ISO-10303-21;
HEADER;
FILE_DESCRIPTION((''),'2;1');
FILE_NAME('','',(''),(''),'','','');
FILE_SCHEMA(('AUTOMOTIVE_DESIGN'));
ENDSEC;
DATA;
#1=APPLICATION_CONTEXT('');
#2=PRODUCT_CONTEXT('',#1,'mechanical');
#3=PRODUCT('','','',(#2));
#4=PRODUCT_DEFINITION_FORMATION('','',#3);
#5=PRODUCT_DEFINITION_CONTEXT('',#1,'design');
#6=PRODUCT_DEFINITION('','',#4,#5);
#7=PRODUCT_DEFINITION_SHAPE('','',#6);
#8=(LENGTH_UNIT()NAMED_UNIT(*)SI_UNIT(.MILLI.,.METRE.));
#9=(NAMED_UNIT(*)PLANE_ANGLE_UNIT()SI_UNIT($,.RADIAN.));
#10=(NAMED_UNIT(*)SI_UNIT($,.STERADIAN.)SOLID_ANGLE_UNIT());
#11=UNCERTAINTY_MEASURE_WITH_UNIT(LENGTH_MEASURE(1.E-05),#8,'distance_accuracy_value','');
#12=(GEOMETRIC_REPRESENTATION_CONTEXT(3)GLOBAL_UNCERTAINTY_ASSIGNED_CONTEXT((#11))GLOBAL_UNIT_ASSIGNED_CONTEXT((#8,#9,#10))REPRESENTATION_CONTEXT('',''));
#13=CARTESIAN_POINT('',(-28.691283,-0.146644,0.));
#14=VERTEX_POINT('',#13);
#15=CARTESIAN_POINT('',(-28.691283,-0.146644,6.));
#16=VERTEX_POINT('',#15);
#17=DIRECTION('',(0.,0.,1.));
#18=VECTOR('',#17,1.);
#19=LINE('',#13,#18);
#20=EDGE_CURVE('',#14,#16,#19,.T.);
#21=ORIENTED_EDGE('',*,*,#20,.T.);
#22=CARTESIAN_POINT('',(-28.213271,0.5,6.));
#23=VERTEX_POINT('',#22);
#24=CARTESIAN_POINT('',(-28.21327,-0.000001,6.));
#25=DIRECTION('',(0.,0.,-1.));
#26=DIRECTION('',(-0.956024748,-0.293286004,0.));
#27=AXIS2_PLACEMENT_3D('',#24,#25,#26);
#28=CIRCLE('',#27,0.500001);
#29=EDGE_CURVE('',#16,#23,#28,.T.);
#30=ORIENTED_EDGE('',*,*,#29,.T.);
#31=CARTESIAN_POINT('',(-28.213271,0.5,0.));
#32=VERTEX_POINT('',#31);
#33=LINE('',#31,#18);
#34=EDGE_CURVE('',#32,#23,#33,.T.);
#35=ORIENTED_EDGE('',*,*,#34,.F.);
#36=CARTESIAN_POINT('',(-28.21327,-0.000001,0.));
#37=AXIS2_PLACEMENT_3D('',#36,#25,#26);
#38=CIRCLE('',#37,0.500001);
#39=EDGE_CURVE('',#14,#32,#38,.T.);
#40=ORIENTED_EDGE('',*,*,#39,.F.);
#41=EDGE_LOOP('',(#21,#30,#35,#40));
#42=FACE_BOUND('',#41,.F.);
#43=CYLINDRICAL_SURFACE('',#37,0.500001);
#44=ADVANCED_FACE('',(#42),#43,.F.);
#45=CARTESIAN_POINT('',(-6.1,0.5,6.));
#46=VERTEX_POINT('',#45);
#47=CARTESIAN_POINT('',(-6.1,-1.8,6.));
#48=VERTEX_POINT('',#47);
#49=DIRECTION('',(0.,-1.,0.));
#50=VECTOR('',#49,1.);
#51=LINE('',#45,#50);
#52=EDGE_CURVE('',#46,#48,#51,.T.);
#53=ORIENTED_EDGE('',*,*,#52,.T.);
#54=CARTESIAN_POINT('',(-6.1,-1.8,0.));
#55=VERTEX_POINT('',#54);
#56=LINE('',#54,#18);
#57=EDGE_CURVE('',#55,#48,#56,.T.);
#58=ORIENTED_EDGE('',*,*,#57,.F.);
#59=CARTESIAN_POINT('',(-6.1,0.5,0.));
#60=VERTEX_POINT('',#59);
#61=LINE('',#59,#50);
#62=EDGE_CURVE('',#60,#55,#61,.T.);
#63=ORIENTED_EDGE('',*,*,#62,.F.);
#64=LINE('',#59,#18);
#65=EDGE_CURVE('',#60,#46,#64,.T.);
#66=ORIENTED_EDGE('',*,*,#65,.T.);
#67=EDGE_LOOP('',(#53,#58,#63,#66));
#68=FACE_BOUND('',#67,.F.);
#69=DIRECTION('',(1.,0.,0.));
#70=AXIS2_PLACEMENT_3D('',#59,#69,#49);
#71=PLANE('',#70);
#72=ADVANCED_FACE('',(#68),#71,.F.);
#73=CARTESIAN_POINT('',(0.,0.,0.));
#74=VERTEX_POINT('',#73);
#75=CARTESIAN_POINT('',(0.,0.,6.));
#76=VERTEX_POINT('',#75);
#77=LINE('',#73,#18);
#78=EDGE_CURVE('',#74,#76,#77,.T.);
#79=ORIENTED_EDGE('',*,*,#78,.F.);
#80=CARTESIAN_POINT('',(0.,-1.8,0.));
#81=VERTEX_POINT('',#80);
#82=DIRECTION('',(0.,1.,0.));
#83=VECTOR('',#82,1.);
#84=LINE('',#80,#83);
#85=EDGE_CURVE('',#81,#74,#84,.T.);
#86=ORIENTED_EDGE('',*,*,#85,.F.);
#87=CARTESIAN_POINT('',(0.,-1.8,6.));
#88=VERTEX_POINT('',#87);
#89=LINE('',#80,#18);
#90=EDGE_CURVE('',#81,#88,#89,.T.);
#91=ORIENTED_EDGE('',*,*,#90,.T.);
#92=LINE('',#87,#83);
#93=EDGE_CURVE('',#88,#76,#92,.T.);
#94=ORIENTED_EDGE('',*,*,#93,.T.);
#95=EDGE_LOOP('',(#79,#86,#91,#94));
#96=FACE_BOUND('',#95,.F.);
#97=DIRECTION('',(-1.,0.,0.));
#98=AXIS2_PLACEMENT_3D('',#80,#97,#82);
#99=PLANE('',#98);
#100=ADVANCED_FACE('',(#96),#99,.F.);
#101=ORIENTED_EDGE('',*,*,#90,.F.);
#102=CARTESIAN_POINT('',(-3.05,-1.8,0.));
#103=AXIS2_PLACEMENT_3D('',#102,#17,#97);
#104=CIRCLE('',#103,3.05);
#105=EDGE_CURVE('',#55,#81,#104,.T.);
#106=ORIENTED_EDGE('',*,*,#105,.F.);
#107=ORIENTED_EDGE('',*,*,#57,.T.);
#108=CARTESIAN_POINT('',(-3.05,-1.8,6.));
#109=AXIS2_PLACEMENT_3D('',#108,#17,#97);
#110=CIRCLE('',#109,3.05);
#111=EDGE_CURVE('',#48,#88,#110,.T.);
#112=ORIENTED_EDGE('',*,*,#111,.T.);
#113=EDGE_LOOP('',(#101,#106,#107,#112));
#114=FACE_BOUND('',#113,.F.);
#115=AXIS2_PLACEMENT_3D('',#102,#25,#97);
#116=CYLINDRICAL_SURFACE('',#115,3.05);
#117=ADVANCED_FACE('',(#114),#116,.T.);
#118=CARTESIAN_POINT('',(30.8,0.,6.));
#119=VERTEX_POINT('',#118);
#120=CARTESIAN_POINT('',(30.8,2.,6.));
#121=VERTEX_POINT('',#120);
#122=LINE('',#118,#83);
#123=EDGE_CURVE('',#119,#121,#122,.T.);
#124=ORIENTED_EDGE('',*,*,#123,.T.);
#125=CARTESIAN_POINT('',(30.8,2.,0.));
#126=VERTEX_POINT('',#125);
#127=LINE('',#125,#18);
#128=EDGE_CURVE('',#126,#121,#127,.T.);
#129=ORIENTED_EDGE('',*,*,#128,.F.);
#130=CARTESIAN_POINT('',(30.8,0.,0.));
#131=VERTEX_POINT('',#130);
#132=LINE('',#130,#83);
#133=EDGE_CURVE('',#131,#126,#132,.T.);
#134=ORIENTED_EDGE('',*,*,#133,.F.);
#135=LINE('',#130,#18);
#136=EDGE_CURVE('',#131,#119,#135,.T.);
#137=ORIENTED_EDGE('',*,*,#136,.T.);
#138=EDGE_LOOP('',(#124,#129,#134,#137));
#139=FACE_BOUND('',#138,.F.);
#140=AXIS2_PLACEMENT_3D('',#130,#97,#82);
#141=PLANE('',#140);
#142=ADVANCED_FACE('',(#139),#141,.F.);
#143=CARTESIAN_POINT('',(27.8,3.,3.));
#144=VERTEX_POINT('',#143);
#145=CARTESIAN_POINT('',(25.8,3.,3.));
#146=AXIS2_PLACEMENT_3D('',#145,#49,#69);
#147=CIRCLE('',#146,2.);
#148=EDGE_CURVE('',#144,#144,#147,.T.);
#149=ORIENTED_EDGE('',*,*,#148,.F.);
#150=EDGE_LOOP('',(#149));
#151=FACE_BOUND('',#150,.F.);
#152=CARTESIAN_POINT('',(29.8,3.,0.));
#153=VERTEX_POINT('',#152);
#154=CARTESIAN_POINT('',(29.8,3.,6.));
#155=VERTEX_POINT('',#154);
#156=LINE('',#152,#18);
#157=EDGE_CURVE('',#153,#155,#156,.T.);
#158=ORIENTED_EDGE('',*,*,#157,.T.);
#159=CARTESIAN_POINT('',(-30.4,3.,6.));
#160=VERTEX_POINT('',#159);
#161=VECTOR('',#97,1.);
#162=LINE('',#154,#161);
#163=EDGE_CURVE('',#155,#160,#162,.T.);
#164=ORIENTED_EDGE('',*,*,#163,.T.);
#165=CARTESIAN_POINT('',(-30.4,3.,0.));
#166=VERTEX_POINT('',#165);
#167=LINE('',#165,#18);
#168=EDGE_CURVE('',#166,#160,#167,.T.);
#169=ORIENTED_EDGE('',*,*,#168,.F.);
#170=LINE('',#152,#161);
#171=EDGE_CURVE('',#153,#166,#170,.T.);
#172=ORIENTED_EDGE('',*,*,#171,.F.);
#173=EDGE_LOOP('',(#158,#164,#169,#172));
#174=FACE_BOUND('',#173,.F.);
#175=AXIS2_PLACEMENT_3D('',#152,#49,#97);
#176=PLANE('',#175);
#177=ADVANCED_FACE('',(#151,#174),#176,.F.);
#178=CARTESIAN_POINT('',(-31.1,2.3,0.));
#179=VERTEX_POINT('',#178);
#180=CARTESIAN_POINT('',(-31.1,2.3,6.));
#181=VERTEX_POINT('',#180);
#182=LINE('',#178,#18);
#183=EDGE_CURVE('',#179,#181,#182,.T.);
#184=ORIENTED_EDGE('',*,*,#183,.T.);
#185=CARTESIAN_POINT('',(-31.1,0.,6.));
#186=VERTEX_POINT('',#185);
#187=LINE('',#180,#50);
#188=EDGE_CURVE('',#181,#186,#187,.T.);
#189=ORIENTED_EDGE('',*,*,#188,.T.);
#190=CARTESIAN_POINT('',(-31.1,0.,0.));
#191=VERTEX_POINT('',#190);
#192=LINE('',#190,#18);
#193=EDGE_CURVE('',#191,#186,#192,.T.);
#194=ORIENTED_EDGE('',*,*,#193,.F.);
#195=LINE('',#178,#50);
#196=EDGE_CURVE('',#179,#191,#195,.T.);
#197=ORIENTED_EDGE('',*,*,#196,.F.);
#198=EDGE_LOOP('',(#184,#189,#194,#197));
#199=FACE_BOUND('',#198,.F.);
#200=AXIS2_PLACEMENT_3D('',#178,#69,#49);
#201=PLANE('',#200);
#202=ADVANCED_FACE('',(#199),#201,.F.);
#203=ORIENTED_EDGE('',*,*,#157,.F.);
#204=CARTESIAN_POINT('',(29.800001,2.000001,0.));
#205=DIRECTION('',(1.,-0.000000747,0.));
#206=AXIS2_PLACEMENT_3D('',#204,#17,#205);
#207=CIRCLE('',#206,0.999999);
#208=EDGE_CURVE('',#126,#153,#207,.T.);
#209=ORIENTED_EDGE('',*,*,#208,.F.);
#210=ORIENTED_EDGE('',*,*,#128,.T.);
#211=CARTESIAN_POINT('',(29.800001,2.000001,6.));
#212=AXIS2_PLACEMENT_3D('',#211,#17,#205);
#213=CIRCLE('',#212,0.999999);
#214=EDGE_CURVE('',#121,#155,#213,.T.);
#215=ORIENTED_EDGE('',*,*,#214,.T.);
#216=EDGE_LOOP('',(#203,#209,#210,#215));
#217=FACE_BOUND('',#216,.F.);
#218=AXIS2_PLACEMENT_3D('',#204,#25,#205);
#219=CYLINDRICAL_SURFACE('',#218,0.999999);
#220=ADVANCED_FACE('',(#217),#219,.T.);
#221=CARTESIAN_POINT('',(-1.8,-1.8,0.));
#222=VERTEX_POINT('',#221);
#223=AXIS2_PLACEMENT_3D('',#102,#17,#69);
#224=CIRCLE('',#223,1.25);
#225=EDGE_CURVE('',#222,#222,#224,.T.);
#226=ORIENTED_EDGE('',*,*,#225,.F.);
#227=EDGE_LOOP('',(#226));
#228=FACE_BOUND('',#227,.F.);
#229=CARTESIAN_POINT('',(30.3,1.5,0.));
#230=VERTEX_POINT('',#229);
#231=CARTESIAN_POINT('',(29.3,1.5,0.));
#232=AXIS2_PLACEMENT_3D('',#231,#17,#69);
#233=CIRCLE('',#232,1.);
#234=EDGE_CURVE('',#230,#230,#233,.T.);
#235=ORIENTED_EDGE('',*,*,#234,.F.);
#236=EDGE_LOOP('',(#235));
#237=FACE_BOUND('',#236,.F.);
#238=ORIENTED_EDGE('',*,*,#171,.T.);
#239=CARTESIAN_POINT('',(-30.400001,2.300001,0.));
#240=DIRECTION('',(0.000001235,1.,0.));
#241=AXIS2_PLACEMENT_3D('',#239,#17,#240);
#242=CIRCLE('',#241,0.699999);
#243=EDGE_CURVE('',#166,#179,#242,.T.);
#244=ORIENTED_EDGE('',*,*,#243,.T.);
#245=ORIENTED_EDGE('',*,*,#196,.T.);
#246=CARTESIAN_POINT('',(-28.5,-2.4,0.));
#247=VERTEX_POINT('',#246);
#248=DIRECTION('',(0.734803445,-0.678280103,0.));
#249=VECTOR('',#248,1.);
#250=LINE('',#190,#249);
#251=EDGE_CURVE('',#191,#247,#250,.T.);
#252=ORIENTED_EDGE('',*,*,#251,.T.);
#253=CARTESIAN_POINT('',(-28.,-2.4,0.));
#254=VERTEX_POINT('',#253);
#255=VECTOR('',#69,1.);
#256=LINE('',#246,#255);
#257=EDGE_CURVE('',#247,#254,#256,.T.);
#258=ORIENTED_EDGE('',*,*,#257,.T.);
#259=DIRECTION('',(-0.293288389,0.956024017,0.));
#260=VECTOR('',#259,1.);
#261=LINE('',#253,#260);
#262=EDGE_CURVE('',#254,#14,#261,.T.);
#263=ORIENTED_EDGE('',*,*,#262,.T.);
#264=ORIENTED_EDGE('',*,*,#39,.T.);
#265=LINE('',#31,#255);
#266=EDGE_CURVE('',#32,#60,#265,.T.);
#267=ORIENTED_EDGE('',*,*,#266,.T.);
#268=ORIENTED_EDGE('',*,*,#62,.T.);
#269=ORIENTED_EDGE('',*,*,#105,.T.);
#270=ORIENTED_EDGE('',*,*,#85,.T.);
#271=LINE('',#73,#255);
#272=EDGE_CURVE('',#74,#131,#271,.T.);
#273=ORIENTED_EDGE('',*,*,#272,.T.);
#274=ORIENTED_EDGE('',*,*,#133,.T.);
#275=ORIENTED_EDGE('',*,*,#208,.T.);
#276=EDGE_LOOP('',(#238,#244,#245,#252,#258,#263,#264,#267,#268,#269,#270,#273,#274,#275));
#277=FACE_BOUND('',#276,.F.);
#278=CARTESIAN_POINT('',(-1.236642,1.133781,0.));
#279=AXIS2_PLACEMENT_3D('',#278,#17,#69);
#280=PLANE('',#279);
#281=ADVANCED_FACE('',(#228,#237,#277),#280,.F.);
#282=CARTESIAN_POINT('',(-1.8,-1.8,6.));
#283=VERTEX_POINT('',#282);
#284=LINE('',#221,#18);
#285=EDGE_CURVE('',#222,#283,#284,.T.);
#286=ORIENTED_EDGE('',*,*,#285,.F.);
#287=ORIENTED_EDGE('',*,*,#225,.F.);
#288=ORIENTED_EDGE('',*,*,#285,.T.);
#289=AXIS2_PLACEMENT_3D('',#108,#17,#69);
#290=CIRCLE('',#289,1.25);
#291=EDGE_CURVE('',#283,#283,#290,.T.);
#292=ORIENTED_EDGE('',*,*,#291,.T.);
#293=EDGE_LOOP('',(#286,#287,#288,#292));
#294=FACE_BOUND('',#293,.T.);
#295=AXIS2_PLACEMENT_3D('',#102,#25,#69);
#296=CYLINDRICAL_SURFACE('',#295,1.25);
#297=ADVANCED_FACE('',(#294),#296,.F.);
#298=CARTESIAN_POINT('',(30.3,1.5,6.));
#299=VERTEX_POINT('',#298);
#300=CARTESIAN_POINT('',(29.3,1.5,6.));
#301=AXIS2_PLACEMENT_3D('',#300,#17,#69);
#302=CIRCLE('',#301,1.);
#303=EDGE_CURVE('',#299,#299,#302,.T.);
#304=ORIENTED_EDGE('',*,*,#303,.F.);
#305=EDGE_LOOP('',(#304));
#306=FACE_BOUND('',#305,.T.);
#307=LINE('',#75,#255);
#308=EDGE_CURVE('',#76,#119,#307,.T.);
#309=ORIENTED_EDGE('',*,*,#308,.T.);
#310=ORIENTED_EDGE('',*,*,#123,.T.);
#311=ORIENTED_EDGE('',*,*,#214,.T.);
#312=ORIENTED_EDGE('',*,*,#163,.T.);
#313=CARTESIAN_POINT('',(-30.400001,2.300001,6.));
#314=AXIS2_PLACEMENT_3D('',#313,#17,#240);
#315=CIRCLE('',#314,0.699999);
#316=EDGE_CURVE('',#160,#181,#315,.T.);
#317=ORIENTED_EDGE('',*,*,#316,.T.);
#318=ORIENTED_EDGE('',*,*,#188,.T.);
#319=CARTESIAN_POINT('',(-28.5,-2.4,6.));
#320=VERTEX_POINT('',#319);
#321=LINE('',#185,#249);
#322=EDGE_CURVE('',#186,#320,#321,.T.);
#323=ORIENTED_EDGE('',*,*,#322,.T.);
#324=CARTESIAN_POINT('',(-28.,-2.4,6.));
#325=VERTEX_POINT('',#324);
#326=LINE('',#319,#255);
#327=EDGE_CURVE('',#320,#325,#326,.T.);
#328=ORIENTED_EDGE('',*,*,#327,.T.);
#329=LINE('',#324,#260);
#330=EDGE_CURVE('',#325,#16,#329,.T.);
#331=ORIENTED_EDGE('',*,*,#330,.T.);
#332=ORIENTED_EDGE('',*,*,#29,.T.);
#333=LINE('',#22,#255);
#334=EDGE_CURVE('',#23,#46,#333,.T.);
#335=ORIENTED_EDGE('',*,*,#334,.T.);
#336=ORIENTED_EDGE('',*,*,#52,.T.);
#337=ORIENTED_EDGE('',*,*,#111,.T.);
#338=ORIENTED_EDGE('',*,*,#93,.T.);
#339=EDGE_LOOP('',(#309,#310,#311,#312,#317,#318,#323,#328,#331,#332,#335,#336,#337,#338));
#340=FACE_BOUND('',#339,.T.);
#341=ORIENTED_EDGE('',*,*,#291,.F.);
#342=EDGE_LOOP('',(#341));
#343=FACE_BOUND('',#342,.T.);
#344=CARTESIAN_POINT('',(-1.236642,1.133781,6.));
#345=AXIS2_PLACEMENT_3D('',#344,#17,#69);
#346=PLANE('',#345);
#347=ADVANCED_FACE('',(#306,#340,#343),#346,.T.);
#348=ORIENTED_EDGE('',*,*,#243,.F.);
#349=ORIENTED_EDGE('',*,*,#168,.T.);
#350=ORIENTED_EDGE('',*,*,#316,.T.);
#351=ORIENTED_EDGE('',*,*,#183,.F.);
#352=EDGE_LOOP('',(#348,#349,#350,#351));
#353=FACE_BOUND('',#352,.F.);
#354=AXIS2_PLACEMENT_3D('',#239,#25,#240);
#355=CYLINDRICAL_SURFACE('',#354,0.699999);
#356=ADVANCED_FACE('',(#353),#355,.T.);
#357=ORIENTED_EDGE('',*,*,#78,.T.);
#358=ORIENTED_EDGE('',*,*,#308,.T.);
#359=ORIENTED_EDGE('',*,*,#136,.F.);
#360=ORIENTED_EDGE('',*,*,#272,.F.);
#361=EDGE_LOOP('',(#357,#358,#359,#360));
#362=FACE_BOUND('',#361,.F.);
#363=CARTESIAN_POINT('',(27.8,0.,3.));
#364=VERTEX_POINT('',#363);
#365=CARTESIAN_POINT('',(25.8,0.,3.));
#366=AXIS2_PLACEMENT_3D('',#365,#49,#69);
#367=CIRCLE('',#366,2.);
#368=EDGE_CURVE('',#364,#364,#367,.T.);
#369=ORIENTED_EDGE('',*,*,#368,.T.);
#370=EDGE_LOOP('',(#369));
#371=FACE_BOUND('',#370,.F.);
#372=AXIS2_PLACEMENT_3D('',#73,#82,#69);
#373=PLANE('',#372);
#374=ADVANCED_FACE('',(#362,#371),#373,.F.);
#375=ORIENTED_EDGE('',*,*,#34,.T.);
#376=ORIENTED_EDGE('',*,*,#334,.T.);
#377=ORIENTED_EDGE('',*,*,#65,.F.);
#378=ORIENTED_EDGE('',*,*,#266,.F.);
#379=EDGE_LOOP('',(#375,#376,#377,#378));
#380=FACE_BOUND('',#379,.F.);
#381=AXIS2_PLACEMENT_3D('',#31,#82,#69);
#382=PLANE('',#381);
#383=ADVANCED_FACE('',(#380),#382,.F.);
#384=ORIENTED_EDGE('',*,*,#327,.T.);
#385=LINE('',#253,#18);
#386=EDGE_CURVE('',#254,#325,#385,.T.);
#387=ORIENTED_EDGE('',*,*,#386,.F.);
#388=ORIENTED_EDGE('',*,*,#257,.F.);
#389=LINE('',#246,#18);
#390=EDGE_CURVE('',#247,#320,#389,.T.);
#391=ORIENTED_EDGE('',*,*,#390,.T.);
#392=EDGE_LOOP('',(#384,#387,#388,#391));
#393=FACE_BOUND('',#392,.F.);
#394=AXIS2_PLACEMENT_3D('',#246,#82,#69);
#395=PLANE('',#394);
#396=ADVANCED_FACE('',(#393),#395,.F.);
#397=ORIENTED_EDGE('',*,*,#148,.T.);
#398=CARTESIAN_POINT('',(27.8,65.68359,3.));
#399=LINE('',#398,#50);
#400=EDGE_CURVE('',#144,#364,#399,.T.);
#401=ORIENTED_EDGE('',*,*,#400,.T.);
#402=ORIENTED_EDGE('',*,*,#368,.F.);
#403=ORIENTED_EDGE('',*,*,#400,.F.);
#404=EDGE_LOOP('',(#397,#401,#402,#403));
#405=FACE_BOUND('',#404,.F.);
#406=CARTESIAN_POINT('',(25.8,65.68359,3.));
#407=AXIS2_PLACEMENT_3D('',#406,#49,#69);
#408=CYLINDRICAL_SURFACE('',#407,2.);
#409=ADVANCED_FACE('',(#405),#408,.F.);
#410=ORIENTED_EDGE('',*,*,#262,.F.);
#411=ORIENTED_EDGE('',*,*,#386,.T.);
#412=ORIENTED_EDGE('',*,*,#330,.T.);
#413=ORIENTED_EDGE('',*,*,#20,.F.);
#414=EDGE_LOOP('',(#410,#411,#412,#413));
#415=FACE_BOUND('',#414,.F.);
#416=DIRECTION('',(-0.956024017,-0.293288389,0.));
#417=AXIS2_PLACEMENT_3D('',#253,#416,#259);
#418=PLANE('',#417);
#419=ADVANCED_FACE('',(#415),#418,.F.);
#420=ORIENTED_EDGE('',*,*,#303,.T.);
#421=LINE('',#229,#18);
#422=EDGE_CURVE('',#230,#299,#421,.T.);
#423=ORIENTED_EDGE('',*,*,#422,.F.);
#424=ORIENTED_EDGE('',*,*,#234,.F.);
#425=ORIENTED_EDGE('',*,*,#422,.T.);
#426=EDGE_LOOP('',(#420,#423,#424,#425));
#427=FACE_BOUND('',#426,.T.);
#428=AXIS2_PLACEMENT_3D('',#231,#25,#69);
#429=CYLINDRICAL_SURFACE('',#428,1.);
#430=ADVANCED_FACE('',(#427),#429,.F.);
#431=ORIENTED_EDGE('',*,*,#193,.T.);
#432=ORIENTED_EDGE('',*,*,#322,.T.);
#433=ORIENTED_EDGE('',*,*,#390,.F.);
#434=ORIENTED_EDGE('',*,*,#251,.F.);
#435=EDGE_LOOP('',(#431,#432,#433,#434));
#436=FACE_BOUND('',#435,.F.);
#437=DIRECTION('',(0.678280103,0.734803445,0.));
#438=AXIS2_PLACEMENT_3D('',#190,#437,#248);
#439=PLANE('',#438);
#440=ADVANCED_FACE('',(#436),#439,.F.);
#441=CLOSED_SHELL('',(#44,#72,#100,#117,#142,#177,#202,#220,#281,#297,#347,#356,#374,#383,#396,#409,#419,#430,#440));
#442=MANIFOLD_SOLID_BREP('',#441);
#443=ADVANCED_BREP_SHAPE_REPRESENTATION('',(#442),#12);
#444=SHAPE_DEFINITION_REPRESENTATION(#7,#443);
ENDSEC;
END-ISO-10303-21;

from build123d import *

# Parameters (mm, degrees)
F0_R     = 1.25
F0_R_2   = 1
F1_DEPTH = 6
F3_D     = 4


with BuildPart() as f1:
    # F0 (on Top) → F1 (new body)
    with BuildSketch(Plane.XY):
        with BuildLine():
            Line((29.8, 3), (-30.4, 3))
            ThreePointArc((-30.4, 3), (-30.894975, 2.794975), (-31.1, 2.3))
            Line((-31.1, 2.3), (-31.1, 0))
            Line((-31.1, 0), (-28.5, -2.4))
            Line((-28.5, -2.4), (-28, -2.4))
            Line((-28, -2.4), (-28.691283, -0.146644))
            ThreePointArc((-28.691283, -0.146644), (-28.615341, 0.297219), (-28.213271, 0.5))
            Line((-28.213271, 0.5), (-6.1, 0.5))
            Line((-6.1, 0.5), (-6.1, -1.8))
            ThreePointArc((-6.1, -1.8), (-3.05, -4.85), (0, -1.8))
            Line((0, -1.8), (0, 0))
            Line((0, 0), (30.8, 0))
            Line((30.8, 0), (30.8, 2))
            ThreePointArc((30.8, 2), (30.507107, 2.707107), (29.8, 3))
        make_face()
        with Locations((-3.05, -1.8)):
            Circle(F0_R, mode=Mode.SUBTRACT)
        with Locations((29.3, 1.5)):
            Circle(F0_R_2, mode=Mode.SUBTRACT)
    extrude(amount=F1_DEPTH)

    # F3 (through all)
    with Locations(Plane(origin=(0, 3, 0), x_dir=(-1, 0, 0), z_dir=(0, 1, 0))):
        with Locations((-25.8, 3)):
            Hole(F3_D / 2)


solid = f1.part
